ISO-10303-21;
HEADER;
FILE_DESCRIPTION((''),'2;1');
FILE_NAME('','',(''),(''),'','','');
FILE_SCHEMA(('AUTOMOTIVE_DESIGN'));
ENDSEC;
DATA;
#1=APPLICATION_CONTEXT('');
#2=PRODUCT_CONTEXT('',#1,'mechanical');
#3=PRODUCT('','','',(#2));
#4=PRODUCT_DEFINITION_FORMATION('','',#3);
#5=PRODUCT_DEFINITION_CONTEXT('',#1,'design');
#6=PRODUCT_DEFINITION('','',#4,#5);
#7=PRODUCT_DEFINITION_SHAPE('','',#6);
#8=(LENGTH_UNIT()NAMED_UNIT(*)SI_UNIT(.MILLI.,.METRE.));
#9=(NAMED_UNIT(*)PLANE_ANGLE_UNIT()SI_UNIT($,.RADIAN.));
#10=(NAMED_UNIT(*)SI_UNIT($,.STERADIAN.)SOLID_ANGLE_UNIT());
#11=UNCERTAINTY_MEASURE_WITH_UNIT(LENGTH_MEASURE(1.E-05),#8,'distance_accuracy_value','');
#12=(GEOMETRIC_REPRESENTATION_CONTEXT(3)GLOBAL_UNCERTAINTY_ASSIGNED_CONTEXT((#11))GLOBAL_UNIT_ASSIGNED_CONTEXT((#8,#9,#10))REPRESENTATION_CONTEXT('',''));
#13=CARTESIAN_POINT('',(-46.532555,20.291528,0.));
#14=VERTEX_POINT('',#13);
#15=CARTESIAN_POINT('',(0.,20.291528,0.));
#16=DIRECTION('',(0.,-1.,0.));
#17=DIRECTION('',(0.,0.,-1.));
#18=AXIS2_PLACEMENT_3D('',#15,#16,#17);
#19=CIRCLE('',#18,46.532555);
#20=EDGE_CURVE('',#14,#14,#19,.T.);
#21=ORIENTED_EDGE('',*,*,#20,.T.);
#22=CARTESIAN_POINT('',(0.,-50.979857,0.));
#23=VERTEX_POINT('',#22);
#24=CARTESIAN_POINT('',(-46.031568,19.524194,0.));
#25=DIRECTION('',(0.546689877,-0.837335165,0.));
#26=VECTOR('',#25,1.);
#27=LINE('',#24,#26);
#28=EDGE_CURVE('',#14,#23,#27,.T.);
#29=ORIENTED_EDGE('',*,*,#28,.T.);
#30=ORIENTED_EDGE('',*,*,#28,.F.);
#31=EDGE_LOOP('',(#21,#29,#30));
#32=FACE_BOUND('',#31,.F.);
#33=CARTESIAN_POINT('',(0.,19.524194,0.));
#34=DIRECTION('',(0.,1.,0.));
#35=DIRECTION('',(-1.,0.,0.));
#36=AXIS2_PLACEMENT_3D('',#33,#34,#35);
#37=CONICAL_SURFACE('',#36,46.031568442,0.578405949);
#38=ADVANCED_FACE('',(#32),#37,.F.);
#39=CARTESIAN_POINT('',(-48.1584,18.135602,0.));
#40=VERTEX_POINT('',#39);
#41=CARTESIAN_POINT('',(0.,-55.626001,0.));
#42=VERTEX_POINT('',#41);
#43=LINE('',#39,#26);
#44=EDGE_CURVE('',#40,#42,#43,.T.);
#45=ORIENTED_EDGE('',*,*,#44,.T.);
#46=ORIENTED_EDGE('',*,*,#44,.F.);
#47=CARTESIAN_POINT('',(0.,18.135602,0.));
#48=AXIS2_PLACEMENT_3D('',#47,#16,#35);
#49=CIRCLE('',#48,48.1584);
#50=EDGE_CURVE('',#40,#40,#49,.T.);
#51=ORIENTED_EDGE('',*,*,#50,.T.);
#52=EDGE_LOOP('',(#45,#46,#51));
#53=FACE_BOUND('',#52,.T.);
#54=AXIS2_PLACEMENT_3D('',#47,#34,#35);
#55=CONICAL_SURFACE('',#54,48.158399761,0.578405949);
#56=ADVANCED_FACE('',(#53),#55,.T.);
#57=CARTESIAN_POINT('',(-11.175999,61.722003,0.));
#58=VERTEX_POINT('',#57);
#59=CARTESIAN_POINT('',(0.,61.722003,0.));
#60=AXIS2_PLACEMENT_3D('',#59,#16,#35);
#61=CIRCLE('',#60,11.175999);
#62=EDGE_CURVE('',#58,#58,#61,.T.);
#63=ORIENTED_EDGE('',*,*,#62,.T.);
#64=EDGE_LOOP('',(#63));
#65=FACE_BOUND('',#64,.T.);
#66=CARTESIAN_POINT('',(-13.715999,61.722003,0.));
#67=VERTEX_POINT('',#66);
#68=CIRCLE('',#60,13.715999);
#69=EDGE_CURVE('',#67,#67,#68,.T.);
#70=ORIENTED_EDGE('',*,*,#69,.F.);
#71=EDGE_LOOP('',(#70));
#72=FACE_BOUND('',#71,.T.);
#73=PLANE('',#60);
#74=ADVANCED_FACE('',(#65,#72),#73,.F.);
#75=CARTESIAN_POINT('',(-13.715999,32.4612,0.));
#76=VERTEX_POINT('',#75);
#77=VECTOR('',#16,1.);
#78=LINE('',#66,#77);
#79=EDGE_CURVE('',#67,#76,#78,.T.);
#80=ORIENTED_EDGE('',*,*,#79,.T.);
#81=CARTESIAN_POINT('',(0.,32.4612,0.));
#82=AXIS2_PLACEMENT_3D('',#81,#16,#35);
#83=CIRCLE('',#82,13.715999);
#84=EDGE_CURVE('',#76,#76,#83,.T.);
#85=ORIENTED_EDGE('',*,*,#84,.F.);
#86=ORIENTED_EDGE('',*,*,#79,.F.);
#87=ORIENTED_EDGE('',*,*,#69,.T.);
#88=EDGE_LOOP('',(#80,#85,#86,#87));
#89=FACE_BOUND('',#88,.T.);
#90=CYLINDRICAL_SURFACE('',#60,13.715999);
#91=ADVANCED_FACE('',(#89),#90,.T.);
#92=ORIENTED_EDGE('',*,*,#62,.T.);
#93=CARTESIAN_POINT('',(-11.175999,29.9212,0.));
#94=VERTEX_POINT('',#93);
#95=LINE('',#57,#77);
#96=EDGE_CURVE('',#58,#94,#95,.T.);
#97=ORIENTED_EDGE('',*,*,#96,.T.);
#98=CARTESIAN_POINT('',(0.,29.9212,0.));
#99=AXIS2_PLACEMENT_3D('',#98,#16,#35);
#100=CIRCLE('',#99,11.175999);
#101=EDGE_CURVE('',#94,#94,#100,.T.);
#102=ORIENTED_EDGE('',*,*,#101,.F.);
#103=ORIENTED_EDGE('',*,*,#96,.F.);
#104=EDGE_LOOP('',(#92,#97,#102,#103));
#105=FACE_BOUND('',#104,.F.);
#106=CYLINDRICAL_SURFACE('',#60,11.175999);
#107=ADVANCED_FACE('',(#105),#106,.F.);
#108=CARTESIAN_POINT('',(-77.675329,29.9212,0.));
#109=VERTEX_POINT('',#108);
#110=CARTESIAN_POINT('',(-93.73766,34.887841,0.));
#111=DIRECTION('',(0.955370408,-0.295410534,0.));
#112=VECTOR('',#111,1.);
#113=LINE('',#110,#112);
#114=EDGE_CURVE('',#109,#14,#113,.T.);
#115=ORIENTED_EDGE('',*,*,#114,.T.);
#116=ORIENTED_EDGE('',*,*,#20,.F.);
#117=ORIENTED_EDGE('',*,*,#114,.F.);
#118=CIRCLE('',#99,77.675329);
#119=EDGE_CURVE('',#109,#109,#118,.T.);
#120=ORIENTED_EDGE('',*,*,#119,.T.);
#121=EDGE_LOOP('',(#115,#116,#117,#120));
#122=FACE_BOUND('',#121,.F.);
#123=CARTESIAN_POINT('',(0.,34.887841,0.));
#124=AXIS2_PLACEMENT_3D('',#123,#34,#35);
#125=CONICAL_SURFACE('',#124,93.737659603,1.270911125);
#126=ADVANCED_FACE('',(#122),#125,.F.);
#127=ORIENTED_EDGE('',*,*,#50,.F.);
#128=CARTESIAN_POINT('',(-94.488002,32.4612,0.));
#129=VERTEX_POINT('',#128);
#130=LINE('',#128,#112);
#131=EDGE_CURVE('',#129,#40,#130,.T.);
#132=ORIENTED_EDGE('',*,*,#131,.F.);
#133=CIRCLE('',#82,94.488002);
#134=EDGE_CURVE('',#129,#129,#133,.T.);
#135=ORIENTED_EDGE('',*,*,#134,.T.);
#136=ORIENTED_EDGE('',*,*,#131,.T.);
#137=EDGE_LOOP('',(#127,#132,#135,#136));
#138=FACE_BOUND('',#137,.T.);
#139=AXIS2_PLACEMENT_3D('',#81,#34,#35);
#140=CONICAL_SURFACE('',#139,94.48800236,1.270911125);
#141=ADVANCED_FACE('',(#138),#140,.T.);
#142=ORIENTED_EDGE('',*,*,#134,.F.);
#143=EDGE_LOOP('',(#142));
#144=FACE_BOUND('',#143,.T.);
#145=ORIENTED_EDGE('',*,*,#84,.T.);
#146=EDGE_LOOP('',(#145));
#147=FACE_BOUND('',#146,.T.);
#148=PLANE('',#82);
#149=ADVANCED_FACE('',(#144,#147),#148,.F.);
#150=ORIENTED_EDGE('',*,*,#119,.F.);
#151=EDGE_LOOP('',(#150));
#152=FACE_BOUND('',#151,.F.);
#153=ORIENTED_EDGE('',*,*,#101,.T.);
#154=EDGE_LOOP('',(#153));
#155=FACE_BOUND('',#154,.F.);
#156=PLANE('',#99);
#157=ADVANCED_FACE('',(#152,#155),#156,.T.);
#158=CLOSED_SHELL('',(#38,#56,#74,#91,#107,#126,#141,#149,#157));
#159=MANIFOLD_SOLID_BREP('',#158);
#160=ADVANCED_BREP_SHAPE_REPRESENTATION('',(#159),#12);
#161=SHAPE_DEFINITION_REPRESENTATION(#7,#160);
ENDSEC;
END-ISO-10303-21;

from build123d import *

# Parameters (mm, degrees)
F2_T = -2.54


with BuildPart() as f1:
    # F0 (on Top) → F1 (revolve)
    with BuildSketch(Plane.XY):
        Polygon((0, -55.626001209), (0, 61.7220029235), (-13.7159992009, 61.7220029235), (-13.7159992009, 32.4611999094), (-29.8704002053, 32.4611999094), (-94.4880023599, 32.4611999094), (-48.1583997607, 18.1356016546), align=None)
    revolve(axis=Axis((0, 10.0584011525, 0), (0, -1, 0)))

    # F2
    f2_openings = [f1.faces().sort_by_distance(p)[0] for p in [
        (0, 61.722003, 0),
    ]]
    offset(amount=F2_T, openings=f2_openings, kind=Kind.INTERSECTION)


solid = f1.part
